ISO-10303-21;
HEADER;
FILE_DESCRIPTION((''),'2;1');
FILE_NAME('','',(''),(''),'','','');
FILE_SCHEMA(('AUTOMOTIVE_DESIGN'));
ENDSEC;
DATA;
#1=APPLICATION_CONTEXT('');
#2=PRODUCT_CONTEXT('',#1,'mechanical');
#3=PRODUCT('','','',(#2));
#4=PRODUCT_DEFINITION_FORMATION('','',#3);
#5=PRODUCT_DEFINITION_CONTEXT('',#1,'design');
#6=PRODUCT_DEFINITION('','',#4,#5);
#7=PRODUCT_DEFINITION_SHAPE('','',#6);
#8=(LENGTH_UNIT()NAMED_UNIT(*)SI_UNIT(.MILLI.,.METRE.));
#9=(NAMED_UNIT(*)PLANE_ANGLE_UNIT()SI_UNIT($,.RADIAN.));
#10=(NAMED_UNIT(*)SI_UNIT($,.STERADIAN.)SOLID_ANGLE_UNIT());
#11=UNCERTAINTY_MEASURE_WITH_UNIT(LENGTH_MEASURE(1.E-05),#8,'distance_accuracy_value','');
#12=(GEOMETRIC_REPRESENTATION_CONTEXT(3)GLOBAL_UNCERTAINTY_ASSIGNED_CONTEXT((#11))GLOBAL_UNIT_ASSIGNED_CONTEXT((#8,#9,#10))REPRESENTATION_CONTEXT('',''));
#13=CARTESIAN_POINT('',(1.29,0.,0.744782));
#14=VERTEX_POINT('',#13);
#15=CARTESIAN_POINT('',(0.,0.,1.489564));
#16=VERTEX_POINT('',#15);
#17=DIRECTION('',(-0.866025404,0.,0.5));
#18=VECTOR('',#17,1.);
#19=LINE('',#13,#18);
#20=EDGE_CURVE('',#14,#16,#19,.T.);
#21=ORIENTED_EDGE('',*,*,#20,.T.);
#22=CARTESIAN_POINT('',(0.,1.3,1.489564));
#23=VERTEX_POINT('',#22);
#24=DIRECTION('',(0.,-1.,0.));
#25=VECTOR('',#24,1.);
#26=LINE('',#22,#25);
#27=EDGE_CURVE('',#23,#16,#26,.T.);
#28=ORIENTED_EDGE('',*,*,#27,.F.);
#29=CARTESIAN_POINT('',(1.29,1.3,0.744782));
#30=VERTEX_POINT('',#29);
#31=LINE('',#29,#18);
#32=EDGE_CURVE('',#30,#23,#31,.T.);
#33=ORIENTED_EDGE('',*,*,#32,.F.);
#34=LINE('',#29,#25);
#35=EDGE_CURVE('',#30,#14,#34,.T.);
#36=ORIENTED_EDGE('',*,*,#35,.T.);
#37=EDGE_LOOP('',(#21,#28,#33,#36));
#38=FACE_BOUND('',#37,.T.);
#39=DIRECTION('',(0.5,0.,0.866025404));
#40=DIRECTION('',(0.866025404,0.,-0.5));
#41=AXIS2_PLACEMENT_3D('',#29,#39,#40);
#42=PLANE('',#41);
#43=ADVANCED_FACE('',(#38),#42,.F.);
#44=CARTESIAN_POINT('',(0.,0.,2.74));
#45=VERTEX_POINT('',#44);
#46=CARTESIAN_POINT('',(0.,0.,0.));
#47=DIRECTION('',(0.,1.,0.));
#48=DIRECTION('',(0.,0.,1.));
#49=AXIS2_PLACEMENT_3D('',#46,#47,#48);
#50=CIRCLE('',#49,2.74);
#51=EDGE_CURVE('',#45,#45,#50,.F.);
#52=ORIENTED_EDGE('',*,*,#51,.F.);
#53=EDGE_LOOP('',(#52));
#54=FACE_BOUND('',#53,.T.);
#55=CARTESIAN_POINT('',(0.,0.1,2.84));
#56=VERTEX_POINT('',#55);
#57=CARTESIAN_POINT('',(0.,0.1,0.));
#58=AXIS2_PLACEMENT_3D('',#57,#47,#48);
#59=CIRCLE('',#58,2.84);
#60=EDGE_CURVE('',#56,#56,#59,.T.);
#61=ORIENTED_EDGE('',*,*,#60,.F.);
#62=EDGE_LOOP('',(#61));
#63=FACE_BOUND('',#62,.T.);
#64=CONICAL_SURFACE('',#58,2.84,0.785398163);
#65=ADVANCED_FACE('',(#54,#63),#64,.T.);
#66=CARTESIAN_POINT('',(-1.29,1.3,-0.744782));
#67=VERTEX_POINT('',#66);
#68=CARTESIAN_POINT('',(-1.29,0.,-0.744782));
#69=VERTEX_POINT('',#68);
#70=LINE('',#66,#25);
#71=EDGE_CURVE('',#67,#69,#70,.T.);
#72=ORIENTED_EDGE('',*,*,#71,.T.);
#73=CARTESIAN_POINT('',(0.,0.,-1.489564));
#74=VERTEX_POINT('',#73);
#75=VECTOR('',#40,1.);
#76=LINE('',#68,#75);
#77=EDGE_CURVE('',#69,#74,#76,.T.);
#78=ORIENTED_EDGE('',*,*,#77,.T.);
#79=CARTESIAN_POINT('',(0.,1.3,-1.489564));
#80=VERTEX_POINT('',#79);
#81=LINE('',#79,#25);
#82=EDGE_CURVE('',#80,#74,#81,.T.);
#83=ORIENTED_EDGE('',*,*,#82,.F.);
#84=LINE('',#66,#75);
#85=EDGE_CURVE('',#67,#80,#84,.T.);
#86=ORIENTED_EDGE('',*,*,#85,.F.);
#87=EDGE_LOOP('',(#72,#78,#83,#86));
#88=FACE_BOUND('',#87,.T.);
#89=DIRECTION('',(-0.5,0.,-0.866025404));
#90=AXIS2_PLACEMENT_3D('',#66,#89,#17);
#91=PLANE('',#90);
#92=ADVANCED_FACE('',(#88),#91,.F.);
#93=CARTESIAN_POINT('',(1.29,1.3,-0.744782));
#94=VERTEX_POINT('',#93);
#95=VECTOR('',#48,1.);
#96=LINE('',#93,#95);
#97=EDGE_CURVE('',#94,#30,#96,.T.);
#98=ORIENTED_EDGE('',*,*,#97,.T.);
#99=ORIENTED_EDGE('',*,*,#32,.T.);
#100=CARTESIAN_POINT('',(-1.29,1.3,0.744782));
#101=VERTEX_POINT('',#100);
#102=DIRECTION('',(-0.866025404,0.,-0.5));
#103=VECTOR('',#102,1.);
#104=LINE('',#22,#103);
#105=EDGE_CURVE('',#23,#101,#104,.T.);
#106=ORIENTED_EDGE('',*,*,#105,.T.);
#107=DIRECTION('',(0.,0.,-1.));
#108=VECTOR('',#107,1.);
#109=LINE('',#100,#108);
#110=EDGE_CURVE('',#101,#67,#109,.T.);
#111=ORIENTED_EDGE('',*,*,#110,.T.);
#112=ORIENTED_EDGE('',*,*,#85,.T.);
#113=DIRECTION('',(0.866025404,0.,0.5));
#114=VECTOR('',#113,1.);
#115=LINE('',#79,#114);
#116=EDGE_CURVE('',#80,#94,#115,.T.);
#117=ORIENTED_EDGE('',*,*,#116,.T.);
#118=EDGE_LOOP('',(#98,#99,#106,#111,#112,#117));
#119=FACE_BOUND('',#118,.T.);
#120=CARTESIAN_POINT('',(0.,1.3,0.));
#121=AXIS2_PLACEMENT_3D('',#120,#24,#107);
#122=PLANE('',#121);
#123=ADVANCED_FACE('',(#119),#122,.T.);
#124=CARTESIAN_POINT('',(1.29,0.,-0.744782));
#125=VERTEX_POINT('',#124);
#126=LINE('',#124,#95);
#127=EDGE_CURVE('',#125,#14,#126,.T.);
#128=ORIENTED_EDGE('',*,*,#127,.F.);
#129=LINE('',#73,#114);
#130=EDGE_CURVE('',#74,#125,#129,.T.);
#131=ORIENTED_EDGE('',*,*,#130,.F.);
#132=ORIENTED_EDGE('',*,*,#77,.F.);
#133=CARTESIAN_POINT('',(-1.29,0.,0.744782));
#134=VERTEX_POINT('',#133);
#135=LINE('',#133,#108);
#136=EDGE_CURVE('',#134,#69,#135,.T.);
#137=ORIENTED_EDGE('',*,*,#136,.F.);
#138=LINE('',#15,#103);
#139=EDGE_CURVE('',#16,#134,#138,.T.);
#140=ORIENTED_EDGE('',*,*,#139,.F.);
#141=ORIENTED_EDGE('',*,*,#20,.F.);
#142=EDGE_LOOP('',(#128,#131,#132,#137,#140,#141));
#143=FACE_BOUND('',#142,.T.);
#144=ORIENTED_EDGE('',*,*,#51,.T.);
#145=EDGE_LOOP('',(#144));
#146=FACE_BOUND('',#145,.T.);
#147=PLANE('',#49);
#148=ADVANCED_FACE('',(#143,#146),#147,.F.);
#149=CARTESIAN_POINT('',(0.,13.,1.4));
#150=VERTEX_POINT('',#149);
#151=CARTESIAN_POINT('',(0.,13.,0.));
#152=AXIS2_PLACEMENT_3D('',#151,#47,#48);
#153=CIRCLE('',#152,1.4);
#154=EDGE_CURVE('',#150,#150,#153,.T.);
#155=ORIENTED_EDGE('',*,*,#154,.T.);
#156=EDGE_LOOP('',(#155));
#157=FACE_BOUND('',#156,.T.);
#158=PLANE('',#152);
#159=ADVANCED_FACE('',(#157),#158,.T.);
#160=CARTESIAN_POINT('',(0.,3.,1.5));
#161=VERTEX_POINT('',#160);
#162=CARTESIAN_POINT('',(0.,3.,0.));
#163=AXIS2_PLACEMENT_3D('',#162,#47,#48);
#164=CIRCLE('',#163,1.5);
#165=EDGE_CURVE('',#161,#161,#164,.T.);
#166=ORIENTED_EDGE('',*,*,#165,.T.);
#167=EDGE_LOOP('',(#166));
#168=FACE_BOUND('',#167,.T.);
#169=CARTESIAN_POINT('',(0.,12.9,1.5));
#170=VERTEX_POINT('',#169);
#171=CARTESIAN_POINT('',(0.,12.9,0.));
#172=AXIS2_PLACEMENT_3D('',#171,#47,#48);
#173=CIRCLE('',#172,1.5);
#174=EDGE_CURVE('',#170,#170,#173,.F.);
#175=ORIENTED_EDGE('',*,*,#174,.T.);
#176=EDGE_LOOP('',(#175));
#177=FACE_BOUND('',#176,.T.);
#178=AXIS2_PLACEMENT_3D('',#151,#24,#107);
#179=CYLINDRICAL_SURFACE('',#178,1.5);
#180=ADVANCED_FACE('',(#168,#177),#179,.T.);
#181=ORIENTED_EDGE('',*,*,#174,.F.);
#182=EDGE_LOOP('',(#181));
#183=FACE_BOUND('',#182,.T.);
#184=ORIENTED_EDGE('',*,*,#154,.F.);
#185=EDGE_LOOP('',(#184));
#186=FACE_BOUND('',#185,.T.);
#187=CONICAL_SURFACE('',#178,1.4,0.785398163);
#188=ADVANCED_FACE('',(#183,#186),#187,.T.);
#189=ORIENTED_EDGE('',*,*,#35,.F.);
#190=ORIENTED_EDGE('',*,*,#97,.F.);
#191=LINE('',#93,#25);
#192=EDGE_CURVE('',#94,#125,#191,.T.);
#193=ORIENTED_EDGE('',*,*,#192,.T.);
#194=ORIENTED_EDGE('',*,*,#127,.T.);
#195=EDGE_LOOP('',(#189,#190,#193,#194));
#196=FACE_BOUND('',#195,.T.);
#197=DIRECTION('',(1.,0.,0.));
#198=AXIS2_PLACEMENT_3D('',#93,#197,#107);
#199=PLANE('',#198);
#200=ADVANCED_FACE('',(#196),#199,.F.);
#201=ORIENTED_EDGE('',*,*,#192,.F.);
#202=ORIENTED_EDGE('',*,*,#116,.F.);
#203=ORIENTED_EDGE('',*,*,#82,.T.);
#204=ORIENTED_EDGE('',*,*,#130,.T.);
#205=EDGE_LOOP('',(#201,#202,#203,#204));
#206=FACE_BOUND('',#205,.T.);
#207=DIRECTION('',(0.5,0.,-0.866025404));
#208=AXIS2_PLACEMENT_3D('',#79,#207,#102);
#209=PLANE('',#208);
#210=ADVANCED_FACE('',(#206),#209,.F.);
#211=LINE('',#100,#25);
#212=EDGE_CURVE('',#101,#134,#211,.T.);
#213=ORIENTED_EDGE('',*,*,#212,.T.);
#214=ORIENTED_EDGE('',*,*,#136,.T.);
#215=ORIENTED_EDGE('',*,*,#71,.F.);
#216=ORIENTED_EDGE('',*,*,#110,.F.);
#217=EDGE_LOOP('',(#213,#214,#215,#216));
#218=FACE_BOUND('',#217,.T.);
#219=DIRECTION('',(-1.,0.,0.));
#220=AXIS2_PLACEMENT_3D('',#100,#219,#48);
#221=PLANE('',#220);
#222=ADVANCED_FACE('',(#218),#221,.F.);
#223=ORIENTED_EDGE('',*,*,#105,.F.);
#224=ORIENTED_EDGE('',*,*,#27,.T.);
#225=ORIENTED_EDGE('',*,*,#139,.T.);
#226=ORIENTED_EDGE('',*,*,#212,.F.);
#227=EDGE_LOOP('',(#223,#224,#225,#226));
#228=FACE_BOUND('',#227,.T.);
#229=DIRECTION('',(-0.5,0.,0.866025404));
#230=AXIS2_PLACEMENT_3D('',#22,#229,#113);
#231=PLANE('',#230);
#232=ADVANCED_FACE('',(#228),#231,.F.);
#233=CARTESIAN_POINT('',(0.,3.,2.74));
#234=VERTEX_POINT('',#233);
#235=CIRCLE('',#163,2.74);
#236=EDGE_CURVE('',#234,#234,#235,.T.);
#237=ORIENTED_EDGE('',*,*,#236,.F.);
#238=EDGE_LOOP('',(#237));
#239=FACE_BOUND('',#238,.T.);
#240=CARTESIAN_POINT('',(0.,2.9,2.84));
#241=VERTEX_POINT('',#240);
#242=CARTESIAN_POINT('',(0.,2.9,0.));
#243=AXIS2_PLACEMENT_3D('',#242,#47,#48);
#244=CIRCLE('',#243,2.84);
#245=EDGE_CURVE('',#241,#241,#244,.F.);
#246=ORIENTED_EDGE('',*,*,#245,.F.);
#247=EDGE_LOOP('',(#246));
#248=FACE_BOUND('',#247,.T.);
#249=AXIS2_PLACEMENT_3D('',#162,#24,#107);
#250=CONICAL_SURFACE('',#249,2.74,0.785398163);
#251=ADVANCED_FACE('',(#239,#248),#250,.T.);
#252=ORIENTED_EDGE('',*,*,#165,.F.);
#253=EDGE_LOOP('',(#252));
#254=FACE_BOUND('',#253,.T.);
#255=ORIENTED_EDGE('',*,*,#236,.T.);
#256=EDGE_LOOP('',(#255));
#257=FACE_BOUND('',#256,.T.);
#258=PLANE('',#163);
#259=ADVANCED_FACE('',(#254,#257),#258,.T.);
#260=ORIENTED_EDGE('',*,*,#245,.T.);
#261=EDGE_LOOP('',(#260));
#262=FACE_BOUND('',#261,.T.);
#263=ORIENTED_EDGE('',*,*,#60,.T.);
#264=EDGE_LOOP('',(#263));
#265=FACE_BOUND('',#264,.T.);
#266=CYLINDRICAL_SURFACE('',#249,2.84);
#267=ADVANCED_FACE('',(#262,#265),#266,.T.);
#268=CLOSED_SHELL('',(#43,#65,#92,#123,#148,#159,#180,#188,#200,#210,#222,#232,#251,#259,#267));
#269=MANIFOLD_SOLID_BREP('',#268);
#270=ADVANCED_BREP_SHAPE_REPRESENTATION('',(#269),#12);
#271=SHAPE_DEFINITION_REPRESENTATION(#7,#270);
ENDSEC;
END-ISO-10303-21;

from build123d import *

# Parameters (mm, degrees)
SKETCH_1_R            = 2.84
EXTRUDE_261_DEPTH     = 3
SKETCH_2_R            = 1.5
EXTRUDE_346_DEPTH     = 10
CUT_EXTRUDE_531_DEPTH = 1.3
CHAMFER_593_SIZE      = 0.1


with BuildPart() as part:
    # 草图1 → Extrude 261 (new body)
    with BuildSketch(Plane(origin=(0, 0, 0), x_dir=(1, 0, 0), z_dir=(0, 1, 0))):
        with Locations(Location((0, 0, 0), (0, 0, 270))):
            Circle(SKETCH_1_R)
    extrude(amount=EXTRUDE_261_DEPTH)

    # 草图2 → Extrude 346 (add)
    with BuildSketch(Plane(origin=(0, 3, 0), x_dir=(1, 0, 0), z_dir=(0, 1, 0))):
        with Locations(Location((0, 0, 0), (0, 0, 270))):
            Circle(SKETCH_2_R)
    extrude(amount=EXTRUDE_346_DEPTH)

    # 草图3 → Cut-Extrude 531 (cut)
    with BuildSketch(Plane.XZ):
        Polygon((1.29, -0.744781847), (1.29, 0.744781847), (0, 1.489563695), (-1.29, 0.744781847), (-1.29, -0.744781847), (0, -1.489563695), align=None)
    extrude(amount=-CUT_EXTRUDE_531_DEPTH, mode=Mode.SUBTRACT)

    # Chamfer 593
    chamfer_593_edges = [part.edges().sort_by_distance(p)[0] for p in [
        (0, 0, -2.84),
        (0, 3, -2.84),
        (0, 13, -1.5),
    ]]
    chamfer(chamfer_593_edges, length=CHAMFER_593_SIZE)


solid = part.part
